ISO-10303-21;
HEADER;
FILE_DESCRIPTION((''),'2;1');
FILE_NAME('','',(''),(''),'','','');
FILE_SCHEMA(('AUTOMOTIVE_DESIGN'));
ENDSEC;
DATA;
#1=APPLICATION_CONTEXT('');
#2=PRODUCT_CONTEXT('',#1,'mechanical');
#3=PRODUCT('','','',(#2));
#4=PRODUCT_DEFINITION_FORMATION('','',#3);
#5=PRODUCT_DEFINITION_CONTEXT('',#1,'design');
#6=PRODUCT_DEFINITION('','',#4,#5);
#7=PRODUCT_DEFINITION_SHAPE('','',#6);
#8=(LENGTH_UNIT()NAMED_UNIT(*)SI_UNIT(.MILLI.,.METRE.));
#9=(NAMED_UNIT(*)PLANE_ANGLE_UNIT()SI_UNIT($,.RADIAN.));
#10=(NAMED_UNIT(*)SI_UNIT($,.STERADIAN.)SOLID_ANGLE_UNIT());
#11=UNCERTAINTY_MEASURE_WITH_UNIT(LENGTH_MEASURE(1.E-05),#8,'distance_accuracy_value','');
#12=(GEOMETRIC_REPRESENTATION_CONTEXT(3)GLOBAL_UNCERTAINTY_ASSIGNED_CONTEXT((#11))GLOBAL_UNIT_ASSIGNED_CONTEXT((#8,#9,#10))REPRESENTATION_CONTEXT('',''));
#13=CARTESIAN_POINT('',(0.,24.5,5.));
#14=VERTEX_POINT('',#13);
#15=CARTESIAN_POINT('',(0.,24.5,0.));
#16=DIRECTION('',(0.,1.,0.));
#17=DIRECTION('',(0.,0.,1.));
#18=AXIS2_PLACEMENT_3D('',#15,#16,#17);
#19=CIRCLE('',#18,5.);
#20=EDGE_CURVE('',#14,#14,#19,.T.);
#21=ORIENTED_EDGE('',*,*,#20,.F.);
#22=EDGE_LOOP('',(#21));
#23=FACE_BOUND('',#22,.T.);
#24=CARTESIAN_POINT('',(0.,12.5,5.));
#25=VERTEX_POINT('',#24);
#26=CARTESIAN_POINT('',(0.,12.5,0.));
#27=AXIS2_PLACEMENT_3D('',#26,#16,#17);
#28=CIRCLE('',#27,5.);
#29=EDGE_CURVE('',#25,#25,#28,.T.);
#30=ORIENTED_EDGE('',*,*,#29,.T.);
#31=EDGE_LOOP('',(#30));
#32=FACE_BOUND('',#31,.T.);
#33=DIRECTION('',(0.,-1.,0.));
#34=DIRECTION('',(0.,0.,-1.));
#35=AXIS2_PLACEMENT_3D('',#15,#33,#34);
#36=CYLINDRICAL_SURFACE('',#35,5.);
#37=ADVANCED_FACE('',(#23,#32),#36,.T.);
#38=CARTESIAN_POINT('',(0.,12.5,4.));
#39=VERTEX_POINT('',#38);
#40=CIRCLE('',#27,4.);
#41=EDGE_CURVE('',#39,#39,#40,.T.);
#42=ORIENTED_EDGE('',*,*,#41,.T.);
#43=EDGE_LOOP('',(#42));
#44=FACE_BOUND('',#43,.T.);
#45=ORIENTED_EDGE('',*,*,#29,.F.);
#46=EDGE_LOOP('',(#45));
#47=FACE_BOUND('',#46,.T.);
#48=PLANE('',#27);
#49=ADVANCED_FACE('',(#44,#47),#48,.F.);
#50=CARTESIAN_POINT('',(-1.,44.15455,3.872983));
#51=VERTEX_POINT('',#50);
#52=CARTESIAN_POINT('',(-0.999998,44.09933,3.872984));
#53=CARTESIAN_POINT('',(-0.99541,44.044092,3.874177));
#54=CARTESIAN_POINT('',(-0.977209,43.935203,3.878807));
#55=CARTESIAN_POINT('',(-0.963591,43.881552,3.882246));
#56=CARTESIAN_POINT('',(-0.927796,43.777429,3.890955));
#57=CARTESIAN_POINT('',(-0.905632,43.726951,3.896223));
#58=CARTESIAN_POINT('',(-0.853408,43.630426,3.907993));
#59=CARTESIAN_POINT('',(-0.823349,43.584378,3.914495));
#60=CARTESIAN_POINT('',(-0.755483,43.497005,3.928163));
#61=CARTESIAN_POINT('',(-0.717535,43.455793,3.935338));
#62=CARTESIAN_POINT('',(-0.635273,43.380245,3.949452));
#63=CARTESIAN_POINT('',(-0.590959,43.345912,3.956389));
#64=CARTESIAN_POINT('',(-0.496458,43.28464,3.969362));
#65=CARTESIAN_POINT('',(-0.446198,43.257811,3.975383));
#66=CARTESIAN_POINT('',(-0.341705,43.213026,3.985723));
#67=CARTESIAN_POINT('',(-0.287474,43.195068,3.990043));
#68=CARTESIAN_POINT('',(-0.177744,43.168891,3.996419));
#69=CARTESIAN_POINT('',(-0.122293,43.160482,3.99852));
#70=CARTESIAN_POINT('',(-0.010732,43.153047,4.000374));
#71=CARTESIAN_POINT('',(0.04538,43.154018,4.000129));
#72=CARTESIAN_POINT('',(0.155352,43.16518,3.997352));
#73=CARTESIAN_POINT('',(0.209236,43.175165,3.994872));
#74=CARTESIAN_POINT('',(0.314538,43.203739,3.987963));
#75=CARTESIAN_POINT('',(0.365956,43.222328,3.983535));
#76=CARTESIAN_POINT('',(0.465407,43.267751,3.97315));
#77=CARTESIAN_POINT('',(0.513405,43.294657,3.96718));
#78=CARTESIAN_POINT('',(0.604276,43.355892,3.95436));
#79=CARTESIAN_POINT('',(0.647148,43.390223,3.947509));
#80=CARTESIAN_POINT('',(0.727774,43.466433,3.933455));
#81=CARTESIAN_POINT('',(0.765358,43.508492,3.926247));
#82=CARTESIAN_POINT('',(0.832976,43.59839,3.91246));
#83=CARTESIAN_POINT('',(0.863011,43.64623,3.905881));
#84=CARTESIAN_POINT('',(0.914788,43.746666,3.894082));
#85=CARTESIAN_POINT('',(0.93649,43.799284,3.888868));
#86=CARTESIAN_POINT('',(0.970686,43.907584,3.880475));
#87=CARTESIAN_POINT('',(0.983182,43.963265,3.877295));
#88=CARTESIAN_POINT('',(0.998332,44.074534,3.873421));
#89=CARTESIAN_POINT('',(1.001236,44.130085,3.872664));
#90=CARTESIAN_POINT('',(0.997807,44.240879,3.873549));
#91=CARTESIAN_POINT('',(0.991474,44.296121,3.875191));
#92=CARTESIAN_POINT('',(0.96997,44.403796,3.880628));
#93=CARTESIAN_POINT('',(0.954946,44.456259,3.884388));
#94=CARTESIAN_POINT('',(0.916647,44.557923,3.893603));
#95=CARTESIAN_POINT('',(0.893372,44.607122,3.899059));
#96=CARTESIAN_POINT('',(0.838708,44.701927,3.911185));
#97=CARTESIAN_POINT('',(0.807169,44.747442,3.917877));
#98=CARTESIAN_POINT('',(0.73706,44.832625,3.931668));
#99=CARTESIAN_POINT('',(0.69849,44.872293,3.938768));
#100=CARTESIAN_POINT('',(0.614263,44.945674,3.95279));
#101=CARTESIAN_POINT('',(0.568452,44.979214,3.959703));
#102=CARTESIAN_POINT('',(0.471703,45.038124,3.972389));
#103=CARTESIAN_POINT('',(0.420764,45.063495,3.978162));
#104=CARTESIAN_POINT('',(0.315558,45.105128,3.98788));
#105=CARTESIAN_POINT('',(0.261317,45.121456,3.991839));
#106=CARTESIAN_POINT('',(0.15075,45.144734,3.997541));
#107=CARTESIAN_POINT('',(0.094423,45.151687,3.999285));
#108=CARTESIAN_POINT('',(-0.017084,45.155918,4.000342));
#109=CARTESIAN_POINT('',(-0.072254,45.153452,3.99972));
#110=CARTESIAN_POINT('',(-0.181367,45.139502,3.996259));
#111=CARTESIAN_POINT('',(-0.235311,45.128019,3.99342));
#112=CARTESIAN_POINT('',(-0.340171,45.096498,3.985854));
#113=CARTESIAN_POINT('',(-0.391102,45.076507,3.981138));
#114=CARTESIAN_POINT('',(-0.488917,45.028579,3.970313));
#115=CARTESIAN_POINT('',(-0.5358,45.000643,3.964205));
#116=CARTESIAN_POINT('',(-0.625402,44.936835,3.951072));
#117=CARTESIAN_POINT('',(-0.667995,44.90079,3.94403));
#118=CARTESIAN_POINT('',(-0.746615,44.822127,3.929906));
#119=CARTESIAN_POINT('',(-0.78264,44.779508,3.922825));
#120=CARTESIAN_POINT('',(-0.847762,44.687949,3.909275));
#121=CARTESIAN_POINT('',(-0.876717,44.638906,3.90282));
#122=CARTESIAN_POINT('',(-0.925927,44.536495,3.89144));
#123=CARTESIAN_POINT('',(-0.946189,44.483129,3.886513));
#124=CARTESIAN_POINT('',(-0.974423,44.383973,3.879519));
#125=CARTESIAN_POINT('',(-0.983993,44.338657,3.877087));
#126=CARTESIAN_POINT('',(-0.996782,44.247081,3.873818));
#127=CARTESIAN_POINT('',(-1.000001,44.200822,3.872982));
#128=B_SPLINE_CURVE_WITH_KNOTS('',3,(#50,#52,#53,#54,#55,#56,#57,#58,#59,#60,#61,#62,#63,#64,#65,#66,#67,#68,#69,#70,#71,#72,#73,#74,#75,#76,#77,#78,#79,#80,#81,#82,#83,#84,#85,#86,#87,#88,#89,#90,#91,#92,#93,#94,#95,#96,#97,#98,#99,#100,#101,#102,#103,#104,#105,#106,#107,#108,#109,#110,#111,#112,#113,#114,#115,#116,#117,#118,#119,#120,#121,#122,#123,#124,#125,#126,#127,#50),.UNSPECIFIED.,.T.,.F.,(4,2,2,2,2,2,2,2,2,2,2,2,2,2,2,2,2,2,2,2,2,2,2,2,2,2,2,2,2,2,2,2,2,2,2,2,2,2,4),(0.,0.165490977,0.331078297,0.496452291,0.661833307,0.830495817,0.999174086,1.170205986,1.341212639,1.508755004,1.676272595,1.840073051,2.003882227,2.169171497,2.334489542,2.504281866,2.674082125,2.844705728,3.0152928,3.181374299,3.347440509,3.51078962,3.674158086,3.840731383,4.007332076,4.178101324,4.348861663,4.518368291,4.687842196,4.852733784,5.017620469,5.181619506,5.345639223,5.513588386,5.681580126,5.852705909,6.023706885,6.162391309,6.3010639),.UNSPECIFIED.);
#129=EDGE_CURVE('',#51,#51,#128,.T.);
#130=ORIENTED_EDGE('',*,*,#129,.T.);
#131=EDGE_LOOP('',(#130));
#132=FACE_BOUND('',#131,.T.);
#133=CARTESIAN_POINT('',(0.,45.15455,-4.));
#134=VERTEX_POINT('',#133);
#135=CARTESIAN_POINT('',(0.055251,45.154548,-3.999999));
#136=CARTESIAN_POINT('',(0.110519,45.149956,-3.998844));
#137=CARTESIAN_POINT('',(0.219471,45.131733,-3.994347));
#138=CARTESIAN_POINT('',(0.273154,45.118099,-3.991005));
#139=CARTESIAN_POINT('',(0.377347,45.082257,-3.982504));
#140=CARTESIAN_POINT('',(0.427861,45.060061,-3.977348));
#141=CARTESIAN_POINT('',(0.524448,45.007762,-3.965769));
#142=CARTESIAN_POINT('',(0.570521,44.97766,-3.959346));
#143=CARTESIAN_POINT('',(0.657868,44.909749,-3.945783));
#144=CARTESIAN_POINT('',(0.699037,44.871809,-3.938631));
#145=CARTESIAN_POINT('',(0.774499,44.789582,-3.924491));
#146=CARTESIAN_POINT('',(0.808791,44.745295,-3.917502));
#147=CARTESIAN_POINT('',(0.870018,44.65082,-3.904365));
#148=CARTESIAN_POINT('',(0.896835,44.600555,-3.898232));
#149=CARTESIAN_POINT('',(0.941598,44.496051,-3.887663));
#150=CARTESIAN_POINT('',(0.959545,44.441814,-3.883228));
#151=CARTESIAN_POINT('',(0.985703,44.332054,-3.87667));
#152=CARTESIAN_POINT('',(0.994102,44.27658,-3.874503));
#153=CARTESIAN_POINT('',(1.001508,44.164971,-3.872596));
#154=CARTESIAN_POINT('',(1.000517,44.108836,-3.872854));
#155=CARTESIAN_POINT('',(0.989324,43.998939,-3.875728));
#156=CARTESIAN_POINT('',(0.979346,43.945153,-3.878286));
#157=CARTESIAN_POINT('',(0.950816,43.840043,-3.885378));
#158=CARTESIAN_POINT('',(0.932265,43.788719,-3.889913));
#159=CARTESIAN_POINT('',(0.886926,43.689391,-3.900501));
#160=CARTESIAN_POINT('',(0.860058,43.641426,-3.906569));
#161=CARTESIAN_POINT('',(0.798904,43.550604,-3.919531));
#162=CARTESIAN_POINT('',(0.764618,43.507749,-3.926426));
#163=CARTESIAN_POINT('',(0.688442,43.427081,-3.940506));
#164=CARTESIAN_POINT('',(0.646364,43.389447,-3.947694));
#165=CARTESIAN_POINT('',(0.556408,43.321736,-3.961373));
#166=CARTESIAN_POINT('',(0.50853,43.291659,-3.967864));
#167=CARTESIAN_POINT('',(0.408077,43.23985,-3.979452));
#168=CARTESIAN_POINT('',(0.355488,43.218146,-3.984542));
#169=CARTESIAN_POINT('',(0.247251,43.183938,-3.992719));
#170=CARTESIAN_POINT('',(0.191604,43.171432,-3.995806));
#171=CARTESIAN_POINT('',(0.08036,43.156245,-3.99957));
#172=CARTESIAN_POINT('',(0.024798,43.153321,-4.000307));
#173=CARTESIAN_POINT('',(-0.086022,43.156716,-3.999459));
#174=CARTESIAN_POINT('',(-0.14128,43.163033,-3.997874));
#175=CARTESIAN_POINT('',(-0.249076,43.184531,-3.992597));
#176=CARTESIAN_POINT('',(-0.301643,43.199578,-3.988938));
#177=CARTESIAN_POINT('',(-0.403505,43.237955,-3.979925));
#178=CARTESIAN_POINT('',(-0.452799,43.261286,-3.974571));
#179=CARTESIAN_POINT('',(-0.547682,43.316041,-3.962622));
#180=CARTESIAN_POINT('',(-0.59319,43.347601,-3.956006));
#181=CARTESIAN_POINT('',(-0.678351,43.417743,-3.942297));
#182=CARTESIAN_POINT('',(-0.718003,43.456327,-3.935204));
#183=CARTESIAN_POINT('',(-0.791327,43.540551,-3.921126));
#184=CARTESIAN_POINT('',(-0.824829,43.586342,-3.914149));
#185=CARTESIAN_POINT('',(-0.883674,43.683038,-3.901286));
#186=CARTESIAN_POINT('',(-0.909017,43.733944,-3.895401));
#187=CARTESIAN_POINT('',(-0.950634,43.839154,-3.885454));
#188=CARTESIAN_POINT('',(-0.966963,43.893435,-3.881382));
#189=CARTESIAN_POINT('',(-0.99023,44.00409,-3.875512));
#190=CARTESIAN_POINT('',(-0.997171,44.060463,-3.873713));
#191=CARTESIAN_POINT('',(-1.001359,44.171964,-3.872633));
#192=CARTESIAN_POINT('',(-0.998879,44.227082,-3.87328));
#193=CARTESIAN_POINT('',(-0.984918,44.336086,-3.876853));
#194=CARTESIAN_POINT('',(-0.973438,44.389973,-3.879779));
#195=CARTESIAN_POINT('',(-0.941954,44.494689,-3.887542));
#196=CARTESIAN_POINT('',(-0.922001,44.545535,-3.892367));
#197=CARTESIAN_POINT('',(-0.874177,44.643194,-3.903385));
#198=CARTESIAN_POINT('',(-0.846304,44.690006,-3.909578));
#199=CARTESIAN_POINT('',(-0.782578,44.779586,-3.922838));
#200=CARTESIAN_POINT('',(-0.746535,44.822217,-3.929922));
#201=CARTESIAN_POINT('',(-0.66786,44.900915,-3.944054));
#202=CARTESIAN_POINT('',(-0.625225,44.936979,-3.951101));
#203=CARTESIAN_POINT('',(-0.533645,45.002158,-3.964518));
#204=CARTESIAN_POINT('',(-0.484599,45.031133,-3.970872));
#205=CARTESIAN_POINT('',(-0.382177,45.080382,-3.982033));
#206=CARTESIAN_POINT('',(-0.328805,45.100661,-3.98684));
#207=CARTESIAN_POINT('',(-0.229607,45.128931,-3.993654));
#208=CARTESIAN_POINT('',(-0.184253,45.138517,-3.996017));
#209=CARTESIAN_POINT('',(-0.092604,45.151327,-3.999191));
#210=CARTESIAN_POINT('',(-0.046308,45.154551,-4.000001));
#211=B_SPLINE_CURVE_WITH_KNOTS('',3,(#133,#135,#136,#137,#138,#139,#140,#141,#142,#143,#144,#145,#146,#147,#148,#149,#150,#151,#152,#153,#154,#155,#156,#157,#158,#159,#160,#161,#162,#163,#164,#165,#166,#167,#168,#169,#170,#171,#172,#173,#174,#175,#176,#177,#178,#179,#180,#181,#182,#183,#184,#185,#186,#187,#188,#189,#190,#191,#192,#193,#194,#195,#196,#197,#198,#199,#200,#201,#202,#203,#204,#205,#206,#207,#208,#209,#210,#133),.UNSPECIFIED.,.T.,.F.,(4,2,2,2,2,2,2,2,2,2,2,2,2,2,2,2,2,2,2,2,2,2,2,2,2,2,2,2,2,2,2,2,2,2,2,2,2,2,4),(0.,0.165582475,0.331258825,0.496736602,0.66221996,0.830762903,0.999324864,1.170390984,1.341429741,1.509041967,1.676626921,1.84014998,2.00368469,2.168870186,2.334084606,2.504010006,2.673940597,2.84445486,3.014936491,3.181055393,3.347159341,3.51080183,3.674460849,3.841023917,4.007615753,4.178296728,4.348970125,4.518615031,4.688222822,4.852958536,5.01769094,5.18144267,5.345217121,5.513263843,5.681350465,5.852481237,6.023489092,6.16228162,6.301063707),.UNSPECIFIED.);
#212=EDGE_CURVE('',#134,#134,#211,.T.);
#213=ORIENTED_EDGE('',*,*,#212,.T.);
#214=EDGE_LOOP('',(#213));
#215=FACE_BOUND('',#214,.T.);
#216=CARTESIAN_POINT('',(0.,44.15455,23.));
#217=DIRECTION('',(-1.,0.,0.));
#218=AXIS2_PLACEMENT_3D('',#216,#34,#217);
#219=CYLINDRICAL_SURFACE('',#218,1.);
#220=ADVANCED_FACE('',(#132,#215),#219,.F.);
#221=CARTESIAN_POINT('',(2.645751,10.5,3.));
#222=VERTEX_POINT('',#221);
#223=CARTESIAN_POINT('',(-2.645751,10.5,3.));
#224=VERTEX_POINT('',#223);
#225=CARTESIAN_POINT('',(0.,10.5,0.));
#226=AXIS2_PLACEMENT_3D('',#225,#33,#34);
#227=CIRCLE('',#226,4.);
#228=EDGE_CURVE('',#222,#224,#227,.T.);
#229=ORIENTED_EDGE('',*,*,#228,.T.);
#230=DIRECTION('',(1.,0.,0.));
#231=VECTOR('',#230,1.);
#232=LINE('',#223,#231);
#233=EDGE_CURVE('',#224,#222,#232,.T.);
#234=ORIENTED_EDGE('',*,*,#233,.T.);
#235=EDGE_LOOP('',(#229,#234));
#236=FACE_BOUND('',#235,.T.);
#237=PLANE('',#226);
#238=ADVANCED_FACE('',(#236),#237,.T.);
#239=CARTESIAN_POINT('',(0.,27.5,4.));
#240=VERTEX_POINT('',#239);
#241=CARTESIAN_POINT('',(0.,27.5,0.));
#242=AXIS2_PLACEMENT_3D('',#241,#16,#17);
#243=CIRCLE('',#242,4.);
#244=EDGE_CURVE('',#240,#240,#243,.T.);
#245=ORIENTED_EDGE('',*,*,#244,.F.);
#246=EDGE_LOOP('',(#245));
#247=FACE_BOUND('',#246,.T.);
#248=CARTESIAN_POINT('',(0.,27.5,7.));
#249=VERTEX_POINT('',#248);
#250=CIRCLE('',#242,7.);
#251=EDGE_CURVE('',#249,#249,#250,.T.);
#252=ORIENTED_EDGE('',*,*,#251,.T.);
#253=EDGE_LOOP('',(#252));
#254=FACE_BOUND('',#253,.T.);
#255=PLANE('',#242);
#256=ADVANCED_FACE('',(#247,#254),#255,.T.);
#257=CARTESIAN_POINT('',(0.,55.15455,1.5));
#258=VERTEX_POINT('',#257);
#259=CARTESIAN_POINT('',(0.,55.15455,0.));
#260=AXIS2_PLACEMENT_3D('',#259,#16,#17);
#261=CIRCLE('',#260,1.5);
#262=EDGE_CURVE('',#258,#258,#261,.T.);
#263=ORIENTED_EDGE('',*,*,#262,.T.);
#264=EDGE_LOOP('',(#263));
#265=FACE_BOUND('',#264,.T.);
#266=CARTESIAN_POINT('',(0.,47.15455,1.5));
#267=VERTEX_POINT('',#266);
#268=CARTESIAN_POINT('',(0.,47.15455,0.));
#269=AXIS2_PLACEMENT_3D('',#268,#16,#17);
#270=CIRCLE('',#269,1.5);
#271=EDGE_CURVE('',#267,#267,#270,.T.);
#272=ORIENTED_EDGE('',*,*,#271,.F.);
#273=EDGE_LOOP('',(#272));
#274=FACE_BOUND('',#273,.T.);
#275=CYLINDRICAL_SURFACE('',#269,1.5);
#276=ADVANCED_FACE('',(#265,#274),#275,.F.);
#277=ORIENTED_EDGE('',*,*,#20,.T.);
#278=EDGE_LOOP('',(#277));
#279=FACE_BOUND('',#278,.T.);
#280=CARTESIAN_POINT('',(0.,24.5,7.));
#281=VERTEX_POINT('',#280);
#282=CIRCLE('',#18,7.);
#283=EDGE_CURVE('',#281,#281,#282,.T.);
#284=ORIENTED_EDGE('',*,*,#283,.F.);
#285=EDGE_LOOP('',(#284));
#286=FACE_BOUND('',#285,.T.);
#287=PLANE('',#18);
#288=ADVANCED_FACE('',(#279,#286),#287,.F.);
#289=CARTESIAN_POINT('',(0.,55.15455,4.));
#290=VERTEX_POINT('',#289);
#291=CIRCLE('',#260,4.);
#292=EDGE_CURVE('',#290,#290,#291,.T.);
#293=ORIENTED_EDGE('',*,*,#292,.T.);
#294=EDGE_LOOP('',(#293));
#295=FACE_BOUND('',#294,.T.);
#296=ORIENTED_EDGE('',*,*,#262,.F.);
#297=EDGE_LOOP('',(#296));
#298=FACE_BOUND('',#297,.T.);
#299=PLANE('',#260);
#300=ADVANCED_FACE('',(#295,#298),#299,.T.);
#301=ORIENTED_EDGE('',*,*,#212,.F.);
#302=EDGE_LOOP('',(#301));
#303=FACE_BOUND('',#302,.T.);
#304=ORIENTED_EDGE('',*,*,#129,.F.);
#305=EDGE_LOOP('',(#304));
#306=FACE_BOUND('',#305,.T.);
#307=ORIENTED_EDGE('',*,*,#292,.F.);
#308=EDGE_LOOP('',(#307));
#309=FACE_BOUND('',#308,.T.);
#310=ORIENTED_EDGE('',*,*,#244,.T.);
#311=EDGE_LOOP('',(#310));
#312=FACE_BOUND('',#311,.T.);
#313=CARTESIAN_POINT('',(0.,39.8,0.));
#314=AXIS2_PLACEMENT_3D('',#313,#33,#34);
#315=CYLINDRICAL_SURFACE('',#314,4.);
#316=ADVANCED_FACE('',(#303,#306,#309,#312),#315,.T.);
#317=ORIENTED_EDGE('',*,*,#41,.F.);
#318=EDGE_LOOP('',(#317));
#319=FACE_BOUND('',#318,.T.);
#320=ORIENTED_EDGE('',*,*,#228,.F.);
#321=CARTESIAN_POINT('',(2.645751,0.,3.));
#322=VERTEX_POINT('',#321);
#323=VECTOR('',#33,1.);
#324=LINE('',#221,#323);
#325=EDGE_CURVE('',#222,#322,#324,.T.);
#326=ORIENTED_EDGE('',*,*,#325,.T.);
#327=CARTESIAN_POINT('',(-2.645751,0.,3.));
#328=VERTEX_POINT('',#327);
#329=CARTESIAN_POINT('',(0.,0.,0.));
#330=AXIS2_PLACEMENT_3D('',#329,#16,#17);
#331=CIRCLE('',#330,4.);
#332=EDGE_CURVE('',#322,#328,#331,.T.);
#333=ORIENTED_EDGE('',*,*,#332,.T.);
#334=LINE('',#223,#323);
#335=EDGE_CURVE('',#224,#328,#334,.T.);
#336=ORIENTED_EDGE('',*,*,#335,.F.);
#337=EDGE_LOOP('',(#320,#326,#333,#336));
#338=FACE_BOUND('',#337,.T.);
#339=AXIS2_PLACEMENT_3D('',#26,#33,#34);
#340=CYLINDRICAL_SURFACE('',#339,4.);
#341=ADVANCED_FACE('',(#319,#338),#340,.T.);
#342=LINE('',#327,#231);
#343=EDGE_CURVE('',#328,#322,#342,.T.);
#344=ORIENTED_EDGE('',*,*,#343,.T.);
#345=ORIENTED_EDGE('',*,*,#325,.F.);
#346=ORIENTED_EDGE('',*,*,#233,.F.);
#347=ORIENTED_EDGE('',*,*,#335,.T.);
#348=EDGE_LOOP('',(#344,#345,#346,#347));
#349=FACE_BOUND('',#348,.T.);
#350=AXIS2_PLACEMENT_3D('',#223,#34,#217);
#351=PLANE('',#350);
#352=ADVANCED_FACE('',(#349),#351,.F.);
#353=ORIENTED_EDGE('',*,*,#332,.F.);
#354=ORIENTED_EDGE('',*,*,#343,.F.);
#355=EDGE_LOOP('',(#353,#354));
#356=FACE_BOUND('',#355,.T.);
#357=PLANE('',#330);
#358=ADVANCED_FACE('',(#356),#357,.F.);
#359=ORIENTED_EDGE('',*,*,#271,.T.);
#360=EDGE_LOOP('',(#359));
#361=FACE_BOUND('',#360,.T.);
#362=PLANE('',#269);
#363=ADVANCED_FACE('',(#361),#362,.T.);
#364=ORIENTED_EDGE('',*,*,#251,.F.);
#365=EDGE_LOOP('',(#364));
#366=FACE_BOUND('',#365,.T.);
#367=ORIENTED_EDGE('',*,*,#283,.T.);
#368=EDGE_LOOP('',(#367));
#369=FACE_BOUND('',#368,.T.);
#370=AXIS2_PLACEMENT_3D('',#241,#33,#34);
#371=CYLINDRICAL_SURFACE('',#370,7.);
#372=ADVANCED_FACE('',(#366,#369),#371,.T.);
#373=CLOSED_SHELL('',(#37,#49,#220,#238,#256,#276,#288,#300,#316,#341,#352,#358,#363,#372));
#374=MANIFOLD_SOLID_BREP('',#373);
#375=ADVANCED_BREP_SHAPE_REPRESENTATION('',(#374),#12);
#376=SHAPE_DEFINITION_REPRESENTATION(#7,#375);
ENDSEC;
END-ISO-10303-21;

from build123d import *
from build123d.topology import SkipClean

# Parameters (mm, degrees)
SKETCH1_R                    = 4
COUPLER_SECTION_DEPTH        = 12.5
SKETCH3_R                    = 5
BEARING_SECTION_DEPTH        = 12
SKETCH4_R                    = 7
BEARING_STOP_DEPTH           = 3
SKETCH5_R                    = 4
SMALL_SEAL_SECTION_DEPTH     = 12.3
SET_SCREW_FLAT_SECTION_DEPTH = 10.5
SKETCH7_R                    = 4
IMPELLER_SECTION_DEPTH       = 15.35455
SKETCH8_R                    = 1.5
IMPELLER_BOLT_BORE_DEPTH     = 8
DOWEL_PIN_HOLE_DEPTH         = 23
DOWEL_PIN_HOLE_DEPTH_BACK    = 23
SKETCH9_R                    = 1


with BuildPart() as part:
    # Sketch1 → coupler section (new body)
    with BuildSketch(Plane(origin=(0, 0, 0), x_dir=(1, 0, 0), z_dir=(0, 1, 0))):
        with Locations(Location((0, 0, 0), (0, 0, 270))):
            Circle(SKETCH1_R)
    extrude(amount=COUPLER_SECTION_DEPTH)

    # Sketch3 → bearing section (add)
    with BuildSketch(Plane(origin=(0, 12.5, 0), x_dir=(1, 0, 0), z_dir=(0, 1, 0))):
        with Locations(Location((0, 0, 0), (0, 0, 270))):
            Circle(SKETCH3_R)
    extrude(amount=BEARING_SECTION_DEPTH)

    # Sketch4 → bearing stop (add)
    with BuildSketch(Plane(origin=(0, 24.5, 0), x_dir=(1, 0, 0), z_dir=(0, 1, 0))):
        with Locations(Location((0, 0, 0), (0, 0, 270))):
            Circle(SKETCH4_R)
    extrude(amount=BEARING_STOP_DEPTH)

    # Sketch5 → small seal section (add)
    with BuildSketch(Plane(origin=(0, 27.5, 0), x_dir=(1, 0, 0), z_dir=(0, 1, 0))):
        with Locations(Location((0, 0, 0), (0, 0, 270))):
            Circle(SKETCH5_R)
    extrude(amount=SMALL_SEAL_SECTION_DEPTH)

    # Sketch6 → set screw flat section (cut)
    with BuildSketch(Plane.XZ):
        with BuildLine():
            Line((-2.645751311, 3), (2.645751311, 3))
            ThreePointArc((2.645751311, 3), (0, 4), (-2.645751311, 3))
        make_face()
    extrude(amount=-SET_SCREW_FLAT_SECTION_DEPTH, mode=Mode.SUBTRACT)

    # Sketch7 → impeller section (add)
    with BuildSketch(Plane(origin=(0, 39.8, 0), x_dir=(1, 0, 0), z_dir=(0, 1, 0))):
        with Locations(Location((0, 0, 0), (0, 0, 311.409622109))):
            Circle(SKETCH7_R)
    extrude(amount=IMPELLER_SECTION_DEPTH)

    # Sketch8 → impeller bolt bore (cut)
    with BuildSketch(Plane(origin=(0, 55.15455, 0), x_dir=(1, 0, 0), z_dir=(0, 1, 0))):
        with Locations(Location((0, 0, 0), (0, 0, 270))):
            Circle(SKETCH8_R)
    extrude(amount=-IMPELLER_BOLT_BORE_DEPTH, mode=Mode.SUBTRACT)

    # Sketch9 → dowel pin hole (cut, two sides: drawn at the far end of the back side and taken through both)
    with SkipClean():  # the faces are left unmerged after this step: merging them gives an invalid solid
        with BuildSketch(Plane.XY.offset(-DOWEL_PIN_HOLE_DEPTH_BACK)):
            with Locations(Location((0, 44.15455, 0), (0, 0, 89.999999996))):
                Circle(SKETCH9_R)
        extrude(amount=DOWEL_PIN_HOLE_DEPTH + DOWEL_PIN_HOLE_DEPTH_BACK, mode=Mode.SUBTRACT)


solid = part.part
